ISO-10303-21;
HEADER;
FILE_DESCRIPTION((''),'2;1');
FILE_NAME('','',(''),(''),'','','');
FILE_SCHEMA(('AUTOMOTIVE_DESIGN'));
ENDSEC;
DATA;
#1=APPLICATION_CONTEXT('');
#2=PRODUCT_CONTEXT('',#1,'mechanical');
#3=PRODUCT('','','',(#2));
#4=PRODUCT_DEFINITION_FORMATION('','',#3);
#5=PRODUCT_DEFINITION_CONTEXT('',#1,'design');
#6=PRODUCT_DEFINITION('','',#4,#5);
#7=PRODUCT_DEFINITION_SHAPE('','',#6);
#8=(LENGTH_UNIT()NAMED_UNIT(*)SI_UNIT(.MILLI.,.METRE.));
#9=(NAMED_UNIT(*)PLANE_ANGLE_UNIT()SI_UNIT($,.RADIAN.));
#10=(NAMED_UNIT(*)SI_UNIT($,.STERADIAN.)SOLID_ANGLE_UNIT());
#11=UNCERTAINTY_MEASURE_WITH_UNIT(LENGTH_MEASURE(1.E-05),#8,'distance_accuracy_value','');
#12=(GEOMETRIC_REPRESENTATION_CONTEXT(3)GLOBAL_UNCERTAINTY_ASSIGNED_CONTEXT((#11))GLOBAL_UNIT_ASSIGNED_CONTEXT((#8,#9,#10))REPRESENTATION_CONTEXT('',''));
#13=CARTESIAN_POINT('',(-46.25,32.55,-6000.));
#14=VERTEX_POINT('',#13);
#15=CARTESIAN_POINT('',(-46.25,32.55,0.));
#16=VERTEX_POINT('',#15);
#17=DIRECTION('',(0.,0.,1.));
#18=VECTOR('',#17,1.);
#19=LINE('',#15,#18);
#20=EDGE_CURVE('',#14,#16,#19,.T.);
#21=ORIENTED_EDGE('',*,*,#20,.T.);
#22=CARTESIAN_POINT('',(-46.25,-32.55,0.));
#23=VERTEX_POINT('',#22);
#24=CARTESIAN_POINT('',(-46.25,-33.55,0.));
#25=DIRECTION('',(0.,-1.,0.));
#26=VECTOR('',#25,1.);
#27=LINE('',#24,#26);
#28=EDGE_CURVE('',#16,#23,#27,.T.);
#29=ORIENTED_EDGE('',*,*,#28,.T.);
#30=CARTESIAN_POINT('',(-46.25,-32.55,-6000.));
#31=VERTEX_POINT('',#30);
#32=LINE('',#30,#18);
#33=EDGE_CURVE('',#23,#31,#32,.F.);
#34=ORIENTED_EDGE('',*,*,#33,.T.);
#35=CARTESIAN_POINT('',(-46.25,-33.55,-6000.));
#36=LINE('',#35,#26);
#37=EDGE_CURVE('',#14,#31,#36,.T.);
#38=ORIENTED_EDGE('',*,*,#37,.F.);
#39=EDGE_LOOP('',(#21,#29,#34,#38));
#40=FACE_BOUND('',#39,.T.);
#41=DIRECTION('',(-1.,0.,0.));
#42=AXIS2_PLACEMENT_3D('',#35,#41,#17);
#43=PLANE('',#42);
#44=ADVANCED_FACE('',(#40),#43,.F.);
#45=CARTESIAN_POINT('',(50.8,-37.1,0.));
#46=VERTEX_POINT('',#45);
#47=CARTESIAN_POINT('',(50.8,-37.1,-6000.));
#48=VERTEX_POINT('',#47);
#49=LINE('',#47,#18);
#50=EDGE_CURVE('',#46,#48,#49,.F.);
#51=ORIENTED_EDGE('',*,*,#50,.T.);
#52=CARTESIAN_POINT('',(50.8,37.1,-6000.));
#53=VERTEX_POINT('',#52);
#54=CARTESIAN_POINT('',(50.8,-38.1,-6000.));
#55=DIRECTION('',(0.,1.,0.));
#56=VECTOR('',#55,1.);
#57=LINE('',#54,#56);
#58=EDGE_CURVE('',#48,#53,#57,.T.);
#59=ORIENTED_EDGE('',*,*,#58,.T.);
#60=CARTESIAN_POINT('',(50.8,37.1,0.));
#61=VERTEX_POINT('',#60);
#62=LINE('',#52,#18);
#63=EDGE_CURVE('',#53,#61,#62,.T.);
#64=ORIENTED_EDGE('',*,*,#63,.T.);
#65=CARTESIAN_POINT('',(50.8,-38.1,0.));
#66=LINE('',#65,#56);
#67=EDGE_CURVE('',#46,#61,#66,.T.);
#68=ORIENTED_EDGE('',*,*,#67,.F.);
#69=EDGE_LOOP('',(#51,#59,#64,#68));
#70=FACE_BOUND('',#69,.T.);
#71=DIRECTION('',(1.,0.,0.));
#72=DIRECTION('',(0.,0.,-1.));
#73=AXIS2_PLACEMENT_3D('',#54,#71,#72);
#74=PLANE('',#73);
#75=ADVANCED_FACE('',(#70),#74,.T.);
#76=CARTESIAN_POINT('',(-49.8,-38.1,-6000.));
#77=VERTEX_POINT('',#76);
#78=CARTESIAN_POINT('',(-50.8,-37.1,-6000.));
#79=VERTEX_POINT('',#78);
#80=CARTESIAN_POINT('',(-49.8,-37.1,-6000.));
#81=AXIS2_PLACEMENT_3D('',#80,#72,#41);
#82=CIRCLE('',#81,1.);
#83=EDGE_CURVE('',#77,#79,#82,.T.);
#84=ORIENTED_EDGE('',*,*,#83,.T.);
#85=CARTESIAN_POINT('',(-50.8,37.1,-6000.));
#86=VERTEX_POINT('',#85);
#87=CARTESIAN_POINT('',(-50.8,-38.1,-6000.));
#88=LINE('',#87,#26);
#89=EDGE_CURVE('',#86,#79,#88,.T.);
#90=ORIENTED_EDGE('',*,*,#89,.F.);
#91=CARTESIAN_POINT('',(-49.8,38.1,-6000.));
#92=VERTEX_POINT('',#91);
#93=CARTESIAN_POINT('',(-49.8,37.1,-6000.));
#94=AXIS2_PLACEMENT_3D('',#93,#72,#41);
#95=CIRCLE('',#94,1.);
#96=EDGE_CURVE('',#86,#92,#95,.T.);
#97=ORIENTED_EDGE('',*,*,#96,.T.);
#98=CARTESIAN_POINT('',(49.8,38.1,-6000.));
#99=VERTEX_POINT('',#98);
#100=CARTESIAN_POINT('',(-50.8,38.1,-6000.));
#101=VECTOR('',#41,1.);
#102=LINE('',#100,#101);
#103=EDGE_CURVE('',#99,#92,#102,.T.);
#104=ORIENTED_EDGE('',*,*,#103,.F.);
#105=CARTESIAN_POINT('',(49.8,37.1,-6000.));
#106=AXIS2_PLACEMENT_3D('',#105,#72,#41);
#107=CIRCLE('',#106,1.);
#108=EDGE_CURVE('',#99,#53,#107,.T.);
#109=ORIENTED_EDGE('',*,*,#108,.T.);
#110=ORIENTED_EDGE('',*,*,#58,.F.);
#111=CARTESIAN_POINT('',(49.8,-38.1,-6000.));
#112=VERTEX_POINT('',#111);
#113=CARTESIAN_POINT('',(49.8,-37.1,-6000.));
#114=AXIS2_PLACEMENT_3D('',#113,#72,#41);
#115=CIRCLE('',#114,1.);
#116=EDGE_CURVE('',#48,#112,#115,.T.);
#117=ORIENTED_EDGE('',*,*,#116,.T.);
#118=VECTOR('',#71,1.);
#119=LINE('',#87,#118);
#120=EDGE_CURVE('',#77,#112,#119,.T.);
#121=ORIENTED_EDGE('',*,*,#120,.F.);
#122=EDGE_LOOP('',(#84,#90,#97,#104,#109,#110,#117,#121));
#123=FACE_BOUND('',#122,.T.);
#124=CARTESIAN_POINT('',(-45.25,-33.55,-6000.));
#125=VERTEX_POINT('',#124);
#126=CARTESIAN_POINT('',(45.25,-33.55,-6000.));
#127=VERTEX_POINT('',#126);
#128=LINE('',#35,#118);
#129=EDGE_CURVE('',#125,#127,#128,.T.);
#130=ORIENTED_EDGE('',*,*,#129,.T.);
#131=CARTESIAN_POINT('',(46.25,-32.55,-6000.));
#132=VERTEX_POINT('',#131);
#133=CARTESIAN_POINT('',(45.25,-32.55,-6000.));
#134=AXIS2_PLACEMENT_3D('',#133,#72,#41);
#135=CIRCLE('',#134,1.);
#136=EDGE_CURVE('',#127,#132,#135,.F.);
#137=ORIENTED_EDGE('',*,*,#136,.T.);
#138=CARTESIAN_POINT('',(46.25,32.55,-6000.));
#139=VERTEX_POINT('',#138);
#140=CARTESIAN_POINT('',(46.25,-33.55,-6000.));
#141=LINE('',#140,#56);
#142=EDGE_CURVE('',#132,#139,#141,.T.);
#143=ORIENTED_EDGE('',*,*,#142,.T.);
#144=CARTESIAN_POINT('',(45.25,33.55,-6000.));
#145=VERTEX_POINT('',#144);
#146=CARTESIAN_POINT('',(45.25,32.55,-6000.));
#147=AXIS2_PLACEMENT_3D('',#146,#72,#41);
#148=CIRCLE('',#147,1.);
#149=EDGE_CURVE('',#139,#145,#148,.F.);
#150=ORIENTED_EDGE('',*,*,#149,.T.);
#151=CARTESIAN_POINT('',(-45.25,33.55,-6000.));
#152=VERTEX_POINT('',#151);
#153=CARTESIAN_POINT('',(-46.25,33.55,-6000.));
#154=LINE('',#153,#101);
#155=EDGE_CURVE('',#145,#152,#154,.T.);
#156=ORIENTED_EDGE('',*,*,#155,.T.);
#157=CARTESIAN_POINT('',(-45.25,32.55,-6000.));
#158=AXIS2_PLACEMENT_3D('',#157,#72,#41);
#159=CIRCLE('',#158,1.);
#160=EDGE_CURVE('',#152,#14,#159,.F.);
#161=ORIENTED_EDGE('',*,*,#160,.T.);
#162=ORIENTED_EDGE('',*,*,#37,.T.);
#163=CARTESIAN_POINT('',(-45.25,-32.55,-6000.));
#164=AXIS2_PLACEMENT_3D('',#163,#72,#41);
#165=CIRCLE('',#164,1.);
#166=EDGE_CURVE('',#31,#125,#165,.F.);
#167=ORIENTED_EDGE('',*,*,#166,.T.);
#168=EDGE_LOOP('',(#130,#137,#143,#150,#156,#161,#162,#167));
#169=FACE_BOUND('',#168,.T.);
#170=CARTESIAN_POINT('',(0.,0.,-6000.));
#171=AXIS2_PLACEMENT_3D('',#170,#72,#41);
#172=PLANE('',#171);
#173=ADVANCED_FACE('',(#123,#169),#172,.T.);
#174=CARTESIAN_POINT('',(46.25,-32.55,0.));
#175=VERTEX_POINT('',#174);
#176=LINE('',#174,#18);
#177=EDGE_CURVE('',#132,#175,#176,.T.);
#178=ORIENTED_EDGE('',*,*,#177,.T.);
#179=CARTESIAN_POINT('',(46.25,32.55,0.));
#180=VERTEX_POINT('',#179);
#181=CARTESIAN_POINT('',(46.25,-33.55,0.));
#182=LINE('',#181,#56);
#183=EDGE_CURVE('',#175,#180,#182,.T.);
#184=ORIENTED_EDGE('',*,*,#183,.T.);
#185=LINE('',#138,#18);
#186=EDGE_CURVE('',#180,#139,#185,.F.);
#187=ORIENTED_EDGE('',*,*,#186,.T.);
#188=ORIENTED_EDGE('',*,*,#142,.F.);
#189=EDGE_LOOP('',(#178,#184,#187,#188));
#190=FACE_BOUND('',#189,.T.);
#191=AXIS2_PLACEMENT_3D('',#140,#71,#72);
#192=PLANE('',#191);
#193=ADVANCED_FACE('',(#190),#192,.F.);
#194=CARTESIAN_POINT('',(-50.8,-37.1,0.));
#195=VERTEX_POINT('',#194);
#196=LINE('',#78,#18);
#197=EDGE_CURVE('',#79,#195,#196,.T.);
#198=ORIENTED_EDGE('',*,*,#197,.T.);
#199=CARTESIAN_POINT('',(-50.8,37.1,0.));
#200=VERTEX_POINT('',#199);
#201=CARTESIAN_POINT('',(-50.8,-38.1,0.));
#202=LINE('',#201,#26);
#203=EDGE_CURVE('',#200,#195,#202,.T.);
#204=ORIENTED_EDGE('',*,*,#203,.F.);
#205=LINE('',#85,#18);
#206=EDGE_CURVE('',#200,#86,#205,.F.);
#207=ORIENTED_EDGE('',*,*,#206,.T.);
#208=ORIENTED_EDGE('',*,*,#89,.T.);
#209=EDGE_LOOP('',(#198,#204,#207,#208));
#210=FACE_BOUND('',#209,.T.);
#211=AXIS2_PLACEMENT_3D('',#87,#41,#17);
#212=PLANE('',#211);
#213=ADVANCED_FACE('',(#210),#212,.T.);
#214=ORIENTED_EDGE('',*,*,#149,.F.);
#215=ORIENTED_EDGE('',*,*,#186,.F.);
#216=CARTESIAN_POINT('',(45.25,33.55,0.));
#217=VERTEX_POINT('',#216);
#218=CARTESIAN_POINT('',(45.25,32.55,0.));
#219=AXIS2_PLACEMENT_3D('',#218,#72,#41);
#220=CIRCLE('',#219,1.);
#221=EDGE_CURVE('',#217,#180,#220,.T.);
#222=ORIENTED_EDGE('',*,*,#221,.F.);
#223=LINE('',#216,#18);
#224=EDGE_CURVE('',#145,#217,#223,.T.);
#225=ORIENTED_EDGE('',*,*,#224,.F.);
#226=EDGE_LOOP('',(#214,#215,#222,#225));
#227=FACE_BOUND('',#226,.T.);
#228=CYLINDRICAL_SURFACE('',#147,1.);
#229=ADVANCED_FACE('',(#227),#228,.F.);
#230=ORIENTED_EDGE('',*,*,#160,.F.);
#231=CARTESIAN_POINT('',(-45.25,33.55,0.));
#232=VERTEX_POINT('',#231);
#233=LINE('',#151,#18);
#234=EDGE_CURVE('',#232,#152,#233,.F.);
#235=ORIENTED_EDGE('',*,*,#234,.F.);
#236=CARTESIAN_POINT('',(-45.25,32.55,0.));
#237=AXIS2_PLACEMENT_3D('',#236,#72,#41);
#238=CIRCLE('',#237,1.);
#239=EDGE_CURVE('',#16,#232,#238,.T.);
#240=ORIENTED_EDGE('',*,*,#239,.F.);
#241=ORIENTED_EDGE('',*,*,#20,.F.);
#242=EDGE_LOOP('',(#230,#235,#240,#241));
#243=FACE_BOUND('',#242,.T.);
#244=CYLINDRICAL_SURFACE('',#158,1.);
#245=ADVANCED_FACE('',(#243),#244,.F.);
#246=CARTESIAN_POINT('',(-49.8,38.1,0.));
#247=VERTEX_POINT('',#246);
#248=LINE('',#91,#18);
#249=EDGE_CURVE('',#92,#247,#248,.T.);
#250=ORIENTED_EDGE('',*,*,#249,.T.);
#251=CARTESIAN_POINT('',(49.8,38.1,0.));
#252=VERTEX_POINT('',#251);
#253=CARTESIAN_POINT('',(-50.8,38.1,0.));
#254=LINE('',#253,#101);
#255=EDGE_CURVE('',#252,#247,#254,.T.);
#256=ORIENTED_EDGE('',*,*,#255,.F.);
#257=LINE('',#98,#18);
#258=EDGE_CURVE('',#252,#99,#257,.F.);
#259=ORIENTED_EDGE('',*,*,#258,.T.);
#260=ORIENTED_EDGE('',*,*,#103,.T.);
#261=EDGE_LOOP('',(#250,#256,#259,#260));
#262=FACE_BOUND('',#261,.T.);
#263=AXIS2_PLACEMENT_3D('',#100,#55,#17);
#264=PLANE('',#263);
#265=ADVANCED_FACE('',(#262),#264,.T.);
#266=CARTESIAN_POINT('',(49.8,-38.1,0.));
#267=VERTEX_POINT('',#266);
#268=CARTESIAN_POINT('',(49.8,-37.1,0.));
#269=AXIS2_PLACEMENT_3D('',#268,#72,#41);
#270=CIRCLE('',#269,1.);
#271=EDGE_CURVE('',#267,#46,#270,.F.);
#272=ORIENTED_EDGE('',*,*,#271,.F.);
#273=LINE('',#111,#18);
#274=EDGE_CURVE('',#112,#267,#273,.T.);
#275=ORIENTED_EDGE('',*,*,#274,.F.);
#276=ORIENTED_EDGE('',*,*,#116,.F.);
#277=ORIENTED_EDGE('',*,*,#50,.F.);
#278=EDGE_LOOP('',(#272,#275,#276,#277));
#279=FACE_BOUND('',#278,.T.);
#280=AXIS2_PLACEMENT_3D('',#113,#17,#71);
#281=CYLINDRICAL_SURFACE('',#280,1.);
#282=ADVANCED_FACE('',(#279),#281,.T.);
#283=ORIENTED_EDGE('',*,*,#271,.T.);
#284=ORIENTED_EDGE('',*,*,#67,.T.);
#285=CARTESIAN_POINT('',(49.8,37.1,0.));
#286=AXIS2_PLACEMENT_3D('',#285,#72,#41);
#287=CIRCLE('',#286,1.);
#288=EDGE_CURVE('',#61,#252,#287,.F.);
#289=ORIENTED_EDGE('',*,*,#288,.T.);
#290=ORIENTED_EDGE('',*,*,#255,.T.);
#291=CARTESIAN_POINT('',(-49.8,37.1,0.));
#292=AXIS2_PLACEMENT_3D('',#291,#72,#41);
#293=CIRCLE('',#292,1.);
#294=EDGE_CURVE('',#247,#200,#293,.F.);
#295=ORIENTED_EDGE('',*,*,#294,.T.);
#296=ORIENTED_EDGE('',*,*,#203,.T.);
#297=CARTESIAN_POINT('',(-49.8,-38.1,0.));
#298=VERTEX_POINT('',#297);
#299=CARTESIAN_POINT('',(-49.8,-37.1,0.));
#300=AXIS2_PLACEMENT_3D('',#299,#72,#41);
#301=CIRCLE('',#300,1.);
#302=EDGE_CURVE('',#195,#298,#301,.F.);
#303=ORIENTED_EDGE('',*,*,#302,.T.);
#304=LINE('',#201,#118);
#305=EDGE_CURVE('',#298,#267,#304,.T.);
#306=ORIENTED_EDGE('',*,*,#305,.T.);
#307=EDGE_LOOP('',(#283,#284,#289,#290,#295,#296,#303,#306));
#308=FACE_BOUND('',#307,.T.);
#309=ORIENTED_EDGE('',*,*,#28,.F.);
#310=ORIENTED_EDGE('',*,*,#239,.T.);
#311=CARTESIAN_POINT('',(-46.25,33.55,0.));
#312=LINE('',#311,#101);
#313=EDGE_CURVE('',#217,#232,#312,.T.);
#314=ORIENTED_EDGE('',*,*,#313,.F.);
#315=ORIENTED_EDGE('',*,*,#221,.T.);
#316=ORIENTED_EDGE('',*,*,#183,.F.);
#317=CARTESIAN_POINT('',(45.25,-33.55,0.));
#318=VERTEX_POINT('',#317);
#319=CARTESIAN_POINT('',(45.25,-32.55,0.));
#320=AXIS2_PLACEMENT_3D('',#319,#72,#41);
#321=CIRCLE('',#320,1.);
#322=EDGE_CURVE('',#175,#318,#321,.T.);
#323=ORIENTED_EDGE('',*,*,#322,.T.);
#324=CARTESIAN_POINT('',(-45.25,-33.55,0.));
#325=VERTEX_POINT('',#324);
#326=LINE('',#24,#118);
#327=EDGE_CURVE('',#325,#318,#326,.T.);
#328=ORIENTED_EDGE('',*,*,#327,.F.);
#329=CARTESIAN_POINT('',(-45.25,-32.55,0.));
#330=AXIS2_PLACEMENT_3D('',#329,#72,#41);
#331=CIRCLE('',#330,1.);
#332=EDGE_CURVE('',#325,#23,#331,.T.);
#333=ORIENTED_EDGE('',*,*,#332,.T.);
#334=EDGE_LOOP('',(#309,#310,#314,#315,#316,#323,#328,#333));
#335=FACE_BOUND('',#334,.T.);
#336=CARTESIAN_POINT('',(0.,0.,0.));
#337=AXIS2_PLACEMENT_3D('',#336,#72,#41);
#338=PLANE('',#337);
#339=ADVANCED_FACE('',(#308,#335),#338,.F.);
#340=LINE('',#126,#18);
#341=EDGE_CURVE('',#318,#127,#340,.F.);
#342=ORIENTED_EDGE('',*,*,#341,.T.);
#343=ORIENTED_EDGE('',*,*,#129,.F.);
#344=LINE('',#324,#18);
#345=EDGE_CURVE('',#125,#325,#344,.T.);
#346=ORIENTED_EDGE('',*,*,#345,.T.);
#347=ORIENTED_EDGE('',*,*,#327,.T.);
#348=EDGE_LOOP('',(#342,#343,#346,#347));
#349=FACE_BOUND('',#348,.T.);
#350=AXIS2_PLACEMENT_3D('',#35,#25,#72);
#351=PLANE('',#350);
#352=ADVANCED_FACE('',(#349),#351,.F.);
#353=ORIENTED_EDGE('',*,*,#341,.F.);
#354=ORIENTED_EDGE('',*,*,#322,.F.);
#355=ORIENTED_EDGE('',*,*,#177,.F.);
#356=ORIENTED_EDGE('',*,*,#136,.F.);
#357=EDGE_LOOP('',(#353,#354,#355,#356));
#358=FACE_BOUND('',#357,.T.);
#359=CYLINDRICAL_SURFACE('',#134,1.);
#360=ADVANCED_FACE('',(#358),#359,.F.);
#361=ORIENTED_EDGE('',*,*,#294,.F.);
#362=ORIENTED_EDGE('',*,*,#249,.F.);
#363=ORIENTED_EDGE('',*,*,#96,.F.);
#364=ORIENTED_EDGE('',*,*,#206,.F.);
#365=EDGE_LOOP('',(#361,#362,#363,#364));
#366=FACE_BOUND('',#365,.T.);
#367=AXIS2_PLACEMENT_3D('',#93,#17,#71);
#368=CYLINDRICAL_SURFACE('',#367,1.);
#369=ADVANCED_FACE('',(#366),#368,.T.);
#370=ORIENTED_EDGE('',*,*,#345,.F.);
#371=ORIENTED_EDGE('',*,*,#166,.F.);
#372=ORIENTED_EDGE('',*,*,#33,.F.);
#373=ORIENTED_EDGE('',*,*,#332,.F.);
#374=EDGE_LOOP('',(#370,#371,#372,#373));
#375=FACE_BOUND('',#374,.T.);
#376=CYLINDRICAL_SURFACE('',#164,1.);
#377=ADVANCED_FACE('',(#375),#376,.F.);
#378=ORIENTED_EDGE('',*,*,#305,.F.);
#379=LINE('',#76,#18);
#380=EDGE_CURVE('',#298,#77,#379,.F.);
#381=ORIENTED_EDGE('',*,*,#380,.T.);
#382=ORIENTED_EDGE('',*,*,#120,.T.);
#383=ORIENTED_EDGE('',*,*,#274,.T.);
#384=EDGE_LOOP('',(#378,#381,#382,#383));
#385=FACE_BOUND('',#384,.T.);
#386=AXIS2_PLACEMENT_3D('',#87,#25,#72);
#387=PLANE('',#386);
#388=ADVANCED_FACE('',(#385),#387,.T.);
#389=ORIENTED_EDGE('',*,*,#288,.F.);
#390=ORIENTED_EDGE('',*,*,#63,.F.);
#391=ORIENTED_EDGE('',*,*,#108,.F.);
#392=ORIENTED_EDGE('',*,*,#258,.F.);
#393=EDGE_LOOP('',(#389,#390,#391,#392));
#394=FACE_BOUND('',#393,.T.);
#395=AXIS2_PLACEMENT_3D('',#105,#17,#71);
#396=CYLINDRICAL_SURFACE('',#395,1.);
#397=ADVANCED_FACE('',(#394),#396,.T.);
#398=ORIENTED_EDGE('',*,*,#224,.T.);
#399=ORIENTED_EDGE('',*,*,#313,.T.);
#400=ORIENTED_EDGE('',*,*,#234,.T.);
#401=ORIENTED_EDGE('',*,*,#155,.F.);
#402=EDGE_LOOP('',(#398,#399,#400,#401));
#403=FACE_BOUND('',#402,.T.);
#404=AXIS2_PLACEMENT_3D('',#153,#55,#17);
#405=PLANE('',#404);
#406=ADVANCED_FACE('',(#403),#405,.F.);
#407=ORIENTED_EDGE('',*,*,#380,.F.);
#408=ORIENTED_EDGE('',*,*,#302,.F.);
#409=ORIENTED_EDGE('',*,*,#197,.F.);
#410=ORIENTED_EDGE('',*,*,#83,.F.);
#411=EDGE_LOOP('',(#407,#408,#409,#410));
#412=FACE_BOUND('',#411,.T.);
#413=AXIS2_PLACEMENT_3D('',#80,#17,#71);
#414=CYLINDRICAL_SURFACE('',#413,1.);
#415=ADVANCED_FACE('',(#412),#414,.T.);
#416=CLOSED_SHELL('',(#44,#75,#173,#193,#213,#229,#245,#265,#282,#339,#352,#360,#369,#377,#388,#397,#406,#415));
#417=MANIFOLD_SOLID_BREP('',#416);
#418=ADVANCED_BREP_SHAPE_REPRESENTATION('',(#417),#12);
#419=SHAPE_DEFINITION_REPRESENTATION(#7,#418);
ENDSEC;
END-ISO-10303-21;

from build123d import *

# Parameters (mm, degrees)
CROQUIS1_W              = 101.6
CROQUIS1_H              = 76.2
CROQUIS1_W_2            = 92.5
CROQUIS1_H_2            = 67.1
SALIENTE_EXTRUIR1_DEPTH = 6000
REDONDEO1_R             = 1


with BuildPart() as part:
    # Croquis1 → Saliente-Extruir1 (new body)
    with BuildSketch(Plane.XY):
        Rectangle(CROQUIS1_W, CROQUIS1_H)
        Rectangle(CROQUIS1_W_2, CROQUIS1_H_2, mode=Mode.SUBTRACT)
    extrude(amount=-SALIENTE_EXTRUIR1_DEPTH)

    # Redondeo1
    redondeo1_edges = [part.edges().sort_by_distance(p)[0] for p in [
        (46.25, -33.55, -3000),
        (-46.25, -33.55, -3000),
        (-46.25, 33.55, -3000),
        (46.25, 33.55, -3000),
        (50.8, -38.1, -3000),
        (-50.8, -38.1, -3000),
        (-50.8, 38.1, -3000),
        (50.8, 38.1, -3000),
    ]]
    fillet(redondeo1_edges, radius=REDONDEO1_R)


solid = part.part
